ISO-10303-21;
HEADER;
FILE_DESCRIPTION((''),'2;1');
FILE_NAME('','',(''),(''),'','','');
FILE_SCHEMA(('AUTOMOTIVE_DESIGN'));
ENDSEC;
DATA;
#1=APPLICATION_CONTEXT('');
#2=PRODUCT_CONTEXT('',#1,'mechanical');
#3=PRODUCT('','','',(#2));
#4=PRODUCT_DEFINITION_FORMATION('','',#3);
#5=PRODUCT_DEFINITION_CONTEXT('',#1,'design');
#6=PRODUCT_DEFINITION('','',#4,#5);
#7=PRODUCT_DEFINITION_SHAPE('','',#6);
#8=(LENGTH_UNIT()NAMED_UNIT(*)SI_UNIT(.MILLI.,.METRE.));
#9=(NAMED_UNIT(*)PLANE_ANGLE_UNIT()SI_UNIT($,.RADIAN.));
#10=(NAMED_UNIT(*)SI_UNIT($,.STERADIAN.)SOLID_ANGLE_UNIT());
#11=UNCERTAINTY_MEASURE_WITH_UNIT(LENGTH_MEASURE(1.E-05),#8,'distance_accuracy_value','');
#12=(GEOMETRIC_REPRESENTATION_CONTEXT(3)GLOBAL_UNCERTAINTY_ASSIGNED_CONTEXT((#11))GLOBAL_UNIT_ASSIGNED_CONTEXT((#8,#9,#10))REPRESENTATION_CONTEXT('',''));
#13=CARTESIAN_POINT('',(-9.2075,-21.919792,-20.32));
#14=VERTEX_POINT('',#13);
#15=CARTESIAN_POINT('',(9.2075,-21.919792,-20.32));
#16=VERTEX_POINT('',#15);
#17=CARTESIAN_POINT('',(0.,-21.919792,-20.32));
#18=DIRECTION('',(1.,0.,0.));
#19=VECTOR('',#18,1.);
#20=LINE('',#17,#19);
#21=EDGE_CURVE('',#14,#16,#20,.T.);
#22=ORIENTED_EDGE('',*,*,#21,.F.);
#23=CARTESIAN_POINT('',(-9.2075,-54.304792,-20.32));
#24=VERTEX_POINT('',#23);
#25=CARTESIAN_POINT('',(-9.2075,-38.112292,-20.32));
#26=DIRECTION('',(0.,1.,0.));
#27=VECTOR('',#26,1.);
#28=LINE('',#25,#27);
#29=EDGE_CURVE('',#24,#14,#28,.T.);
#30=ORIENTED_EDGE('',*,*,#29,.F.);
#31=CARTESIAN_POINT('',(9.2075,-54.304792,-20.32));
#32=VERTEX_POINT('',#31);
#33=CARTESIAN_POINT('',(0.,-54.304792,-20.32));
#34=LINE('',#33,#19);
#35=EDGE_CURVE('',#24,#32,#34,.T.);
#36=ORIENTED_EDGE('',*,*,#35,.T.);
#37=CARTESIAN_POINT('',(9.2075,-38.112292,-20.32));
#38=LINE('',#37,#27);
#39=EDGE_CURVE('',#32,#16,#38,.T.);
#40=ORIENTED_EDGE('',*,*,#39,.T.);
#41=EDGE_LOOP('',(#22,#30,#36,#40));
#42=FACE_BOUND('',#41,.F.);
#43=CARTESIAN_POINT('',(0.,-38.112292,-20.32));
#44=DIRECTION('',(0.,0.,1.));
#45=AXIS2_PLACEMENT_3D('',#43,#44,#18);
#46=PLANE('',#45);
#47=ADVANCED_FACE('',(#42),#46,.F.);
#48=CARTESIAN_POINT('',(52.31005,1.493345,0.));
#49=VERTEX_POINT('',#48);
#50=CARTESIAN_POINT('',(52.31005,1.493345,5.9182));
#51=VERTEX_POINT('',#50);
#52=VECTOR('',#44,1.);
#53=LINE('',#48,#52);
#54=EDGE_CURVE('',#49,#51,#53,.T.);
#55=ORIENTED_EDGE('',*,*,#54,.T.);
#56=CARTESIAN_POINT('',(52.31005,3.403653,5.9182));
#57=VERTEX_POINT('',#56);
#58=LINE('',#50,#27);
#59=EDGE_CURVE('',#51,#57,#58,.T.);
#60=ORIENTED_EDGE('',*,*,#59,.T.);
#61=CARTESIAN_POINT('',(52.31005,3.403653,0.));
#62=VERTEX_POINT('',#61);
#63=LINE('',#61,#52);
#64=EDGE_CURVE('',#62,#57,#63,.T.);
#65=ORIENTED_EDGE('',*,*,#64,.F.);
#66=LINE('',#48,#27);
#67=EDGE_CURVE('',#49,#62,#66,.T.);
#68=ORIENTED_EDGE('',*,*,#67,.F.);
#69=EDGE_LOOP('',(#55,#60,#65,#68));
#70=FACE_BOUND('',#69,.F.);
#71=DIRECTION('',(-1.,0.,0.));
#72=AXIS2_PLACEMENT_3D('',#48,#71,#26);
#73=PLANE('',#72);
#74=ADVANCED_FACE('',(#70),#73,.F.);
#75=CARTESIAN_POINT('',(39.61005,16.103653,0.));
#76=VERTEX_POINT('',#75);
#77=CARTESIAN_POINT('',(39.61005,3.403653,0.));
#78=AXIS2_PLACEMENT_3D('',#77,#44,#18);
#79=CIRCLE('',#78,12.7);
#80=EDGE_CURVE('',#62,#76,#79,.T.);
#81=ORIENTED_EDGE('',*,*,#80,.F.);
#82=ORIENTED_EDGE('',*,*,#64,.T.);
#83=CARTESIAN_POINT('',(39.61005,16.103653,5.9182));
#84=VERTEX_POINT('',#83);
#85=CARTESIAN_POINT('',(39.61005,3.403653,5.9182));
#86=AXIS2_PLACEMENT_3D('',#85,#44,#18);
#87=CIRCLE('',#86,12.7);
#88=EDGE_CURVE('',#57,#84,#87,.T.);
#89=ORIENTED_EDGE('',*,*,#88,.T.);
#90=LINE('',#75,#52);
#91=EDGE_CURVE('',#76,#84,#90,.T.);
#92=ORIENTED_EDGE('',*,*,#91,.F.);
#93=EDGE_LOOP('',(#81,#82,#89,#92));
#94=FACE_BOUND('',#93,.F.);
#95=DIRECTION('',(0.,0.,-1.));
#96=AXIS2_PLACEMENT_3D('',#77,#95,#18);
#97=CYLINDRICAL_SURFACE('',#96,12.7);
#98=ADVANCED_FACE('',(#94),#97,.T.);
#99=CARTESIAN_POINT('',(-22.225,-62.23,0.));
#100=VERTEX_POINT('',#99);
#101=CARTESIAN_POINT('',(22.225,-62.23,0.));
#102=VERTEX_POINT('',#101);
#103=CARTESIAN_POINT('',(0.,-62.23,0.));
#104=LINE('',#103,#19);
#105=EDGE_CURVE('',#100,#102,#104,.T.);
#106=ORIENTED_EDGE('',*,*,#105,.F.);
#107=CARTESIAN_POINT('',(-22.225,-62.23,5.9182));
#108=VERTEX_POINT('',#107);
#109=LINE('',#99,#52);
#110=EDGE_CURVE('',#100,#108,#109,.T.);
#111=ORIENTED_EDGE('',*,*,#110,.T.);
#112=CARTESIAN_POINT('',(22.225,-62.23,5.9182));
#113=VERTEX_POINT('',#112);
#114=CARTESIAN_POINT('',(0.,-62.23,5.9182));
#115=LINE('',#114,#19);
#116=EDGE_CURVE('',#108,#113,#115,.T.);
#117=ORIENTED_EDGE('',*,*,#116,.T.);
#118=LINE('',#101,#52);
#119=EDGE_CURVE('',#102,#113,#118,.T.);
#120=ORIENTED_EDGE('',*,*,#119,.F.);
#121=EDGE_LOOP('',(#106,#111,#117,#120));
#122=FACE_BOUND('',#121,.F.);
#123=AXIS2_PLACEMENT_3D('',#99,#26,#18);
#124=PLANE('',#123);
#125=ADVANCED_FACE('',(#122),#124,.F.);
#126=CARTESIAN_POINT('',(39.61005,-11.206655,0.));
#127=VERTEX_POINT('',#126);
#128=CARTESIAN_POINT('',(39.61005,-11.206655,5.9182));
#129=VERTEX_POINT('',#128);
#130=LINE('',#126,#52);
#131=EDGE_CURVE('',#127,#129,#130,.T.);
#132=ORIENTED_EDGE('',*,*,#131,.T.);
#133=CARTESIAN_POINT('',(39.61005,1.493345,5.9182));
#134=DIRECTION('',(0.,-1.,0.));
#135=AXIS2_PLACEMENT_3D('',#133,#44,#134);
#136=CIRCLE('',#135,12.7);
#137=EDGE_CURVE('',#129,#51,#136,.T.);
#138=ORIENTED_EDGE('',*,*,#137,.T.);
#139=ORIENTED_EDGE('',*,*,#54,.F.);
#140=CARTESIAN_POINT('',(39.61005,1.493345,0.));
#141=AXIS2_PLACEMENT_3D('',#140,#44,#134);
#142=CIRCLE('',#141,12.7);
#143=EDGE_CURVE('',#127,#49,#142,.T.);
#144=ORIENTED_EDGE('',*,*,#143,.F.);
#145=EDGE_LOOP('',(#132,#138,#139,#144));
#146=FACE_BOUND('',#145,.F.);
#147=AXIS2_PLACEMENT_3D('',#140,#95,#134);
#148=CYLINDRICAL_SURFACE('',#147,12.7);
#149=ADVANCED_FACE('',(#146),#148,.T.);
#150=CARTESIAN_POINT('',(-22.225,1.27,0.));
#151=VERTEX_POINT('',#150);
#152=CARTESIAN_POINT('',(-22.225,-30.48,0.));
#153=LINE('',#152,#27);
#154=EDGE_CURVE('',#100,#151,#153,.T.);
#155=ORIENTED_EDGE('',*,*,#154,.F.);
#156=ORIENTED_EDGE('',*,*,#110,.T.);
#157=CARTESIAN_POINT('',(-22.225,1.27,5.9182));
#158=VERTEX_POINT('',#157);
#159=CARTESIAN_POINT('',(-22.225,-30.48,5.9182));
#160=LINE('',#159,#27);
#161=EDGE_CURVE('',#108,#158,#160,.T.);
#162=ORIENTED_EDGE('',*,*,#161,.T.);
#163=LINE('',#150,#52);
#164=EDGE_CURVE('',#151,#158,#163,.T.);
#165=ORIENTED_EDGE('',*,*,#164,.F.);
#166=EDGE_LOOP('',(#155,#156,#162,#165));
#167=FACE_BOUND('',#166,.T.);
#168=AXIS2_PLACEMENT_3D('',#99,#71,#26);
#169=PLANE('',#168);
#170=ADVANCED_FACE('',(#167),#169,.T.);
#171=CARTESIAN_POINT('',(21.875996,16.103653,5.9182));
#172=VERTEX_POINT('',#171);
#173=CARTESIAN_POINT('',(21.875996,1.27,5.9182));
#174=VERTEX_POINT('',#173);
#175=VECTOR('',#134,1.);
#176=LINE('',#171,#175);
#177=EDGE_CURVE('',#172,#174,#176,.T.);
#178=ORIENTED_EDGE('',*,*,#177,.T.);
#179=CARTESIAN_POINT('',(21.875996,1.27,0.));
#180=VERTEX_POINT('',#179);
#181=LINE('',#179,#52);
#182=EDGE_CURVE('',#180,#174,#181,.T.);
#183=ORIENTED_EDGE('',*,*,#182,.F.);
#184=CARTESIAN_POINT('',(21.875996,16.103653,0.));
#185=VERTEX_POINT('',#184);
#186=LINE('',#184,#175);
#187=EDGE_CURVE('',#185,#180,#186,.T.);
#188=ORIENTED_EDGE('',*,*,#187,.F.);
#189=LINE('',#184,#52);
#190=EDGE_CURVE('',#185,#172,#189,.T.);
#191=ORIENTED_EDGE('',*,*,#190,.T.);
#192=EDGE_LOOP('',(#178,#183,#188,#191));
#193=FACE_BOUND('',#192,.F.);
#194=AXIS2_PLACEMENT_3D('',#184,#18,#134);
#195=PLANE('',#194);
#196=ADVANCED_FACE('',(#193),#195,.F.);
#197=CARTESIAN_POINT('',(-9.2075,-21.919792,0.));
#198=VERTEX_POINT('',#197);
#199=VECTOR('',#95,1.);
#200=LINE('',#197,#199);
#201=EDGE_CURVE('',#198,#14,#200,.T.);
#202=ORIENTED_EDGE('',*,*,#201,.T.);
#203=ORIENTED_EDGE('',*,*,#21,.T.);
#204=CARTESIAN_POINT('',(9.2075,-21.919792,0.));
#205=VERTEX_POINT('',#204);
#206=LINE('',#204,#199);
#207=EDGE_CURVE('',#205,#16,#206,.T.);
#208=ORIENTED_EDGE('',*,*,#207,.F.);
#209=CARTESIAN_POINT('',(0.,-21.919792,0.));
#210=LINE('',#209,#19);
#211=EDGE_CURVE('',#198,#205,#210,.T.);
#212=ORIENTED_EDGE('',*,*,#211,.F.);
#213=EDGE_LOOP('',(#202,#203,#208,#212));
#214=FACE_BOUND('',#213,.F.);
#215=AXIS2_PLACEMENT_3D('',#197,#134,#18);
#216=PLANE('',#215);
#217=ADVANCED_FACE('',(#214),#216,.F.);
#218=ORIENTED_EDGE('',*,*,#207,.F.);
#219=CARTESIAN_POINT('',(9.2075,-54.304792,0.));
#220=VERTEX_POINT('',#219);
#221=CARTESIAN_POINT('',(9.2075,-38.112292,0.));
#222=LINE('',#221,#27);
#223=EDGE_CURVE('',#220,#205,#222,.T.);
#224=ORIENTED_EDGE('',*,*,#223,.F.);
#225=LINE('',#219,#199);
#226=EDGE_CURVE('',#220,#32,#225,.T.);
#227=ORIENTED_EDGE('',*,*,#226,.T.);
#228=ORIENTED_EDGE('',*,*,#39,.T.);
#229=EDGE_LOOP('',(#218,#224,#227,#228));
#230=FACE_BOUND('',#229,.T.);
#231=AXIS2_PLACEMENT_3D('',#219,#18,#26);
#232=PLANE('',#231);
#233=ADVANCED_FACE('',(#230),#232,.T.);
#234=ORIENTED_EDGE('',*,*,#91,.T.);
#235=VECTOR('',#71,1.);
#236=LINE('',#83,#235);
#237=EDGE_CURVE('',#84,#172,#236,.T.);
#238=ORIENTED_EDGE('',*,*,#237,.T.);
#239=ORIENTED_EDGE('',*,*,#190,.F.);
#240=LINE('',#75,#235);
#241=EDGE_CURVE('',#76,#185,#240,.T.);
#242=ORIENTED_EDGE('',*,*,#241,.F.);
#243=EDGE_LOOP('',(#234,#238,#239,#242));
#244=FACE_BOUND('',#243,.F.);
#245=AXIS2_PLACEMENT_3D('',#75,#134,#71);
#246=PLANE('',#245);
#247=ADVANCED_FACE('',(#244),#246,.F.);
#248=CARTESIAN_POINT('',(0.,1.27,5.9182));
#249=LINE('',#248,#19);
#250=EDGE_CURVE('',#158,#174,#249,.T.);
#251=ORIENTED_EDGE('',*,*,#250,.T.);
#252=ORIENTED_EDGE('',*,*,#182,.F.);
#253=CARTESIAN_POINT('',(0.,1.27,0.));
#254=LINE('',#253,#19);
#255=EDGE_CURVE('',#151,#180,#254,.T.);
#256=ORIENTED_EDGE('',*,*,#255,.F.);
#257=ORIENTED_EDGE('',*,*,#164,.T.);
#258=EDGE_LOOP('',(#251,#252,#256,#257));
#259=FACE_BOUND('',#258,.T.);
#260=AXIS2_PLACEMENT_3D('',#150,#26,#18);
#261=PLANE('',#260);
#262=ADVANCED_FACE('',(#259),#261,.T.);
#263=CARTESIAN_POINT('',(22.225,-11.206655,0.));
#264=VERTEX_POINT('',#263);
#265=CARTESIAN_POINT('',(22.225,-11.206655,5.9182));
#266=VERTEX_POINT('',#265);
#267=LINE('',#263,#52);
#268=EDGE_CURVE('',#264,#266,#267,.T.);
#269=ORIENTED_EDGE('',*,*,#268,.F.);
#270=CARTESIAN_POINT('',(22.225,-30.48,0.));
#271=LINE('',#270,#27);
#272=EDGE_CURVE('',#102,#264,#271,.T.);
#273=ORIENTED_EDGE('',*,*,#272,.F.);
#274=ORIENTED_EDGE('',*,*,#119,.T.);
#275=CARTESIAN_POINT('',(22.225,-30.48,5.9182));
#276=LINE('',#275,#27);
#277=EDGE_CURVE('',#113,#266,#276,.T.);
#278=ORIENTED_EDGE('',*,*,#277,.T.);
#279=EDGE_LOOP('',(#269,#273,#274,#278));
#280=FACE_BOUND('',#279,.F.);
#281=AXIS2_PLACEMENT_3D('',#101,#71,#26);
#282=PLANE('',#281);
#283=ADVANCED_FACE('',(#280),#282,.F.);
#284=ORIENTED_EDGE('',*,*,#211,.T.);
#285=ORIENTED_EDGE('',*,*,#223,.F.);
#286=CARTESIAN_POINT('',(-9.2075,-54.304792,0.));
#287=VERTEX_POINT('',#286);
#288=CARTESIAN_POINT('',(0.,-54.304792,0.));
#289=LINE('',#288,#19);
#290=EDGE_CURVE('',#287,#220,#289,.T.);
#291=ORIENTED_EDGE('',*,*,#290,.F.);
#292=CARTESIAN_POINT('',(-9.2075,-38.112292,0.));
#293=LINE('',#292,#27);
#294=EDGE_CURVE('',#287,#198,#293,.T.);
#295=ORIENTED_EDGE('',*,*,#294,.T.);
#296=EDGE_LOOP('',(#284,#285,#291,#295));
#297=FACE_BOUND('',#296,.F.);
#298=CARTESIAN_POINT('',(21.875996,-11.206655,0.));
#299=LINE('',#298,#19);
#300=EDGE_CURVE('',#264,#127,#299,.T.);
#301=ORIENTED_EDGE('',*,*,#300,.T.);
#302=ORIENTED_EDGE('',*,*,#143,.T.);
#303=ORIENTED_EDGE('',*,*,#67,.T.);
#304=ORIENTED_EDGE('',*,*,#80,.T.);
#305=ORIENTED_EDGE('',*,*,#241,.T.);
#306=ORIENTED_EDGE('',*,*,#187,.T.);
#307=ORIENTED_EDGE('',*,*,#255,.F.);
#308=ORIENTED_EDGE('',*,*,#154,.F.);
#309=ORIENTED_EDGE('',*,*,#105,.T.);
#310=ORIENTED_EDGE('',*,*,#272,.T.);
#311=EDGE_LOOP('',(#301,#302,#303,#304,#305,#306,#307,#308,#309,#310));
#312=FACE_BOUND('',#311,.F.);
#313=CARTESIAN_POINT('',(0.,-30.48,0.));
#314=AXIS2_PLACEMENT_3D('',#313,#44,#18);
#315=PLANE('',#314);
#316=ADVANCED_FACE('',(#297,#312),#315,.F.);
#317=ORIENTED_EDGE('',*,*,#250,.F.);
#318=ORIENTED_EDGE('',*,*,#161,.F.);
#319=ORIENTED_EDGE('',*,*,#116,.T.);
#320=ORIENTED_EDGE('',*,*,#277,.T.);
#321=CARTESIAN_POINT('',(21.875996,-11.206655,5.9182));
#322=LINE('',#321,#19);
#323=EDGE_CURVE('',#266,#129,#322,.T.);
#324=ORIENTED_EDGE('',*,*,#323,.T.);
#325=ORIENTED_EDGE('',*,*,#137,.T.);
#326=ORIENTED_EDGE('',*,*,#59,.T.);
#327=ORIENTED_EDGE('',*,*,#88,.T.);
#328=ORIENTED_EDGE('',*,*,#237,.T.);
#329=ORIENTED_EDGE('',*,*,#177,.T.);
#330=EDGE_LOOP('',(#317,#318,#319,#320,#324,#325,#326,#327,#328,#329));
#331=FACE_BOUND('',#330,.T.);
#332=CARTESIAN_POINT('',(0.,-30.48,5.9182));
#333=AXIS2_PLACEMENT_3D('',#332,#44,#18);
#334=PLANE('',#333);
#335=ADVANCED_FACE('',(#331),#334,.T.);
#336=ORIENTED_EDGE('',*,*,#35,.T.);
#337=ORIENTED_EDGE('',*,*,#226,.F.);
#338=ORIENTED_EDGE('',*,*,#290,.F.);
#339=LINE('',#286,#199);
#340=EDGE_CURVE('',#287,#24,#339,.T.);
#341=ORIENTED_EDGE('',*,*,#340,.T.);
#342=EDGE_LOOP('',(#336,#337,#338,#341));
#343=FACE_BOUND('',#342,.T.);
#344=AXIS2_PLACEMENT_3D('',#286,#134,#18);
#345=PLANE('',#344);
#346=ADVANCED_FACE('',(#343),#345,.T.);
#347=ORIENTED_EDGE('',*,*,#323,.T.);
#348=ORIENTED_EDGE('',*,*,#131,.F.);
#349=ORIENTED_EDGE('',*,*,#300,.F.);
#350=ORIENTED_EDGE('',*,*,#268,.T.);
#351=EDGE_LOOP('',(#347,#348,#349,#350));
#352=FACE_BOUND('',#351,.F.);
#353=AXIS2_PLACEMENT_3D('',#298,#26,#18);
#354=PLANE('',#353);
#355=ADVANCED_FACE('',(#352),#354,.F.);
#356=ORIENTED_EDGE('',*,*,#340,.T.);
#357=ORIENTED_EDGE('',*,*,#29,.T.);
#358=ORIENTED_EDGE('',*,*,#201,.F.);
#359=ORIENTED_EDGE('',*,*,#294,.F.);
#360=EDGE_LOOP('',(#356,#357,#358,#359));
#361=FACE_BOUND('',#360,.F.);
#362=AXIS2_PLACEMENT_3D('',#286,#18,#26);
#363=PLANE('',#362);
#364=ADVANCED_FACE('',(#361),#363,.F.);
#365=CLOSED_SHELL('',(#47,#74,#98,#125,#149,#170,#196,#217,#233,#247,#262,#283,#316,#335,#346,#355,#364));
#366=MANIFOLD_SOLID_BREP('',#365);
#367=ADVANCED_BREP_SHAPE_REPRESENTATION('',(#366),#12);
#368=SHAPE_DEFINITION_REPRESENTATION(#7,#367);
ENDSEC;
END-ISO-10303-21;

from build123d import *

# Parameters (mm, degrees)
F2_DEPTH = 5.9182
F0_W     = 44.45
F0_H     = 63.5
F3_DEPTH = 5.9182
F4_W     = 18.415
F4_H     = 32.385
F5_DEPTH = 20.32


with BuildPart() as f2:
    # F1 (on Top) → F2 (new body)
    with BuildSketch(Plane.XY):
        with BuildLine():
            Line((39.6100495338, 16.1036532372), (21.8759961426, 16.1036532372))
            Line((21.8759961426, 16.1036532372), (21.8759961426, -11.2066548318))
            Line((21.8759961426, -11.2066548318), (39.6100495338, -11.2066548318))
            ThreePointArc((39.6100495338, -11.2066548318), (48.5903056549, -7.4869109528), (52.3100495338, 1.4933451682))
            Line((52.3100495338, 1.4933451682), (52.3100495338, 3.4036532372))
            ThreePointArc((52.3100495338, 3.4036532372), (48.5903056549, 12.3839093583), (39.6100495338, 16.1036532372))
        make_face()
    extrude(amount=F2_DEPTH)

    # F0 (on Top) + F2_face (on face) → F3 (join)
    with BuildSketch(Plane.XY):
        with Locations((0, -30.48)):
            Rectangle(F0_W, F0_H)
    with BuildSketch(Plane(origin=(35.9682073334, 2.4484992027, 0), x_dir=(1, 0, 0), z_dir=(0, 0, -1))):
        with BuildLine():
            Line((-14.0922111908, -13.6551540345), (3.6418422005, -13.6551540345))
            ThreePointArc((3.6418422005, -13.6551540345), (12.6220983215, -9.9354101556), (16.3418422005, -0.9551540345))
            Line((16.3418422005, -0.9551540345), (16.3418422005, 0.9551540345))
            ThreePointArc((16.3418422005, 0.9551540345), (12.6220983215, 9.9354101556), (3.6418422005, 13.6551540345))
            Line((3.6418422005, 13.6551540345), (-14.0922111908, 13.6551540345))
            Line((-14.0922111908, 13.6551540345), (-14.0922111908, -13.6551540345))
        make_face()
    extrude(amount=F3_DEPTH, dir=(0, 0, 1))

    # F4 (on Top) → F5 (join)
    with BuildSketch(Plane.XY):
        with Locations((0, -38.1122922906)):
            Rectangle(F4_W, F4_H)
    extrude(amount=-F5_DEPTH)


solid = f2.part
